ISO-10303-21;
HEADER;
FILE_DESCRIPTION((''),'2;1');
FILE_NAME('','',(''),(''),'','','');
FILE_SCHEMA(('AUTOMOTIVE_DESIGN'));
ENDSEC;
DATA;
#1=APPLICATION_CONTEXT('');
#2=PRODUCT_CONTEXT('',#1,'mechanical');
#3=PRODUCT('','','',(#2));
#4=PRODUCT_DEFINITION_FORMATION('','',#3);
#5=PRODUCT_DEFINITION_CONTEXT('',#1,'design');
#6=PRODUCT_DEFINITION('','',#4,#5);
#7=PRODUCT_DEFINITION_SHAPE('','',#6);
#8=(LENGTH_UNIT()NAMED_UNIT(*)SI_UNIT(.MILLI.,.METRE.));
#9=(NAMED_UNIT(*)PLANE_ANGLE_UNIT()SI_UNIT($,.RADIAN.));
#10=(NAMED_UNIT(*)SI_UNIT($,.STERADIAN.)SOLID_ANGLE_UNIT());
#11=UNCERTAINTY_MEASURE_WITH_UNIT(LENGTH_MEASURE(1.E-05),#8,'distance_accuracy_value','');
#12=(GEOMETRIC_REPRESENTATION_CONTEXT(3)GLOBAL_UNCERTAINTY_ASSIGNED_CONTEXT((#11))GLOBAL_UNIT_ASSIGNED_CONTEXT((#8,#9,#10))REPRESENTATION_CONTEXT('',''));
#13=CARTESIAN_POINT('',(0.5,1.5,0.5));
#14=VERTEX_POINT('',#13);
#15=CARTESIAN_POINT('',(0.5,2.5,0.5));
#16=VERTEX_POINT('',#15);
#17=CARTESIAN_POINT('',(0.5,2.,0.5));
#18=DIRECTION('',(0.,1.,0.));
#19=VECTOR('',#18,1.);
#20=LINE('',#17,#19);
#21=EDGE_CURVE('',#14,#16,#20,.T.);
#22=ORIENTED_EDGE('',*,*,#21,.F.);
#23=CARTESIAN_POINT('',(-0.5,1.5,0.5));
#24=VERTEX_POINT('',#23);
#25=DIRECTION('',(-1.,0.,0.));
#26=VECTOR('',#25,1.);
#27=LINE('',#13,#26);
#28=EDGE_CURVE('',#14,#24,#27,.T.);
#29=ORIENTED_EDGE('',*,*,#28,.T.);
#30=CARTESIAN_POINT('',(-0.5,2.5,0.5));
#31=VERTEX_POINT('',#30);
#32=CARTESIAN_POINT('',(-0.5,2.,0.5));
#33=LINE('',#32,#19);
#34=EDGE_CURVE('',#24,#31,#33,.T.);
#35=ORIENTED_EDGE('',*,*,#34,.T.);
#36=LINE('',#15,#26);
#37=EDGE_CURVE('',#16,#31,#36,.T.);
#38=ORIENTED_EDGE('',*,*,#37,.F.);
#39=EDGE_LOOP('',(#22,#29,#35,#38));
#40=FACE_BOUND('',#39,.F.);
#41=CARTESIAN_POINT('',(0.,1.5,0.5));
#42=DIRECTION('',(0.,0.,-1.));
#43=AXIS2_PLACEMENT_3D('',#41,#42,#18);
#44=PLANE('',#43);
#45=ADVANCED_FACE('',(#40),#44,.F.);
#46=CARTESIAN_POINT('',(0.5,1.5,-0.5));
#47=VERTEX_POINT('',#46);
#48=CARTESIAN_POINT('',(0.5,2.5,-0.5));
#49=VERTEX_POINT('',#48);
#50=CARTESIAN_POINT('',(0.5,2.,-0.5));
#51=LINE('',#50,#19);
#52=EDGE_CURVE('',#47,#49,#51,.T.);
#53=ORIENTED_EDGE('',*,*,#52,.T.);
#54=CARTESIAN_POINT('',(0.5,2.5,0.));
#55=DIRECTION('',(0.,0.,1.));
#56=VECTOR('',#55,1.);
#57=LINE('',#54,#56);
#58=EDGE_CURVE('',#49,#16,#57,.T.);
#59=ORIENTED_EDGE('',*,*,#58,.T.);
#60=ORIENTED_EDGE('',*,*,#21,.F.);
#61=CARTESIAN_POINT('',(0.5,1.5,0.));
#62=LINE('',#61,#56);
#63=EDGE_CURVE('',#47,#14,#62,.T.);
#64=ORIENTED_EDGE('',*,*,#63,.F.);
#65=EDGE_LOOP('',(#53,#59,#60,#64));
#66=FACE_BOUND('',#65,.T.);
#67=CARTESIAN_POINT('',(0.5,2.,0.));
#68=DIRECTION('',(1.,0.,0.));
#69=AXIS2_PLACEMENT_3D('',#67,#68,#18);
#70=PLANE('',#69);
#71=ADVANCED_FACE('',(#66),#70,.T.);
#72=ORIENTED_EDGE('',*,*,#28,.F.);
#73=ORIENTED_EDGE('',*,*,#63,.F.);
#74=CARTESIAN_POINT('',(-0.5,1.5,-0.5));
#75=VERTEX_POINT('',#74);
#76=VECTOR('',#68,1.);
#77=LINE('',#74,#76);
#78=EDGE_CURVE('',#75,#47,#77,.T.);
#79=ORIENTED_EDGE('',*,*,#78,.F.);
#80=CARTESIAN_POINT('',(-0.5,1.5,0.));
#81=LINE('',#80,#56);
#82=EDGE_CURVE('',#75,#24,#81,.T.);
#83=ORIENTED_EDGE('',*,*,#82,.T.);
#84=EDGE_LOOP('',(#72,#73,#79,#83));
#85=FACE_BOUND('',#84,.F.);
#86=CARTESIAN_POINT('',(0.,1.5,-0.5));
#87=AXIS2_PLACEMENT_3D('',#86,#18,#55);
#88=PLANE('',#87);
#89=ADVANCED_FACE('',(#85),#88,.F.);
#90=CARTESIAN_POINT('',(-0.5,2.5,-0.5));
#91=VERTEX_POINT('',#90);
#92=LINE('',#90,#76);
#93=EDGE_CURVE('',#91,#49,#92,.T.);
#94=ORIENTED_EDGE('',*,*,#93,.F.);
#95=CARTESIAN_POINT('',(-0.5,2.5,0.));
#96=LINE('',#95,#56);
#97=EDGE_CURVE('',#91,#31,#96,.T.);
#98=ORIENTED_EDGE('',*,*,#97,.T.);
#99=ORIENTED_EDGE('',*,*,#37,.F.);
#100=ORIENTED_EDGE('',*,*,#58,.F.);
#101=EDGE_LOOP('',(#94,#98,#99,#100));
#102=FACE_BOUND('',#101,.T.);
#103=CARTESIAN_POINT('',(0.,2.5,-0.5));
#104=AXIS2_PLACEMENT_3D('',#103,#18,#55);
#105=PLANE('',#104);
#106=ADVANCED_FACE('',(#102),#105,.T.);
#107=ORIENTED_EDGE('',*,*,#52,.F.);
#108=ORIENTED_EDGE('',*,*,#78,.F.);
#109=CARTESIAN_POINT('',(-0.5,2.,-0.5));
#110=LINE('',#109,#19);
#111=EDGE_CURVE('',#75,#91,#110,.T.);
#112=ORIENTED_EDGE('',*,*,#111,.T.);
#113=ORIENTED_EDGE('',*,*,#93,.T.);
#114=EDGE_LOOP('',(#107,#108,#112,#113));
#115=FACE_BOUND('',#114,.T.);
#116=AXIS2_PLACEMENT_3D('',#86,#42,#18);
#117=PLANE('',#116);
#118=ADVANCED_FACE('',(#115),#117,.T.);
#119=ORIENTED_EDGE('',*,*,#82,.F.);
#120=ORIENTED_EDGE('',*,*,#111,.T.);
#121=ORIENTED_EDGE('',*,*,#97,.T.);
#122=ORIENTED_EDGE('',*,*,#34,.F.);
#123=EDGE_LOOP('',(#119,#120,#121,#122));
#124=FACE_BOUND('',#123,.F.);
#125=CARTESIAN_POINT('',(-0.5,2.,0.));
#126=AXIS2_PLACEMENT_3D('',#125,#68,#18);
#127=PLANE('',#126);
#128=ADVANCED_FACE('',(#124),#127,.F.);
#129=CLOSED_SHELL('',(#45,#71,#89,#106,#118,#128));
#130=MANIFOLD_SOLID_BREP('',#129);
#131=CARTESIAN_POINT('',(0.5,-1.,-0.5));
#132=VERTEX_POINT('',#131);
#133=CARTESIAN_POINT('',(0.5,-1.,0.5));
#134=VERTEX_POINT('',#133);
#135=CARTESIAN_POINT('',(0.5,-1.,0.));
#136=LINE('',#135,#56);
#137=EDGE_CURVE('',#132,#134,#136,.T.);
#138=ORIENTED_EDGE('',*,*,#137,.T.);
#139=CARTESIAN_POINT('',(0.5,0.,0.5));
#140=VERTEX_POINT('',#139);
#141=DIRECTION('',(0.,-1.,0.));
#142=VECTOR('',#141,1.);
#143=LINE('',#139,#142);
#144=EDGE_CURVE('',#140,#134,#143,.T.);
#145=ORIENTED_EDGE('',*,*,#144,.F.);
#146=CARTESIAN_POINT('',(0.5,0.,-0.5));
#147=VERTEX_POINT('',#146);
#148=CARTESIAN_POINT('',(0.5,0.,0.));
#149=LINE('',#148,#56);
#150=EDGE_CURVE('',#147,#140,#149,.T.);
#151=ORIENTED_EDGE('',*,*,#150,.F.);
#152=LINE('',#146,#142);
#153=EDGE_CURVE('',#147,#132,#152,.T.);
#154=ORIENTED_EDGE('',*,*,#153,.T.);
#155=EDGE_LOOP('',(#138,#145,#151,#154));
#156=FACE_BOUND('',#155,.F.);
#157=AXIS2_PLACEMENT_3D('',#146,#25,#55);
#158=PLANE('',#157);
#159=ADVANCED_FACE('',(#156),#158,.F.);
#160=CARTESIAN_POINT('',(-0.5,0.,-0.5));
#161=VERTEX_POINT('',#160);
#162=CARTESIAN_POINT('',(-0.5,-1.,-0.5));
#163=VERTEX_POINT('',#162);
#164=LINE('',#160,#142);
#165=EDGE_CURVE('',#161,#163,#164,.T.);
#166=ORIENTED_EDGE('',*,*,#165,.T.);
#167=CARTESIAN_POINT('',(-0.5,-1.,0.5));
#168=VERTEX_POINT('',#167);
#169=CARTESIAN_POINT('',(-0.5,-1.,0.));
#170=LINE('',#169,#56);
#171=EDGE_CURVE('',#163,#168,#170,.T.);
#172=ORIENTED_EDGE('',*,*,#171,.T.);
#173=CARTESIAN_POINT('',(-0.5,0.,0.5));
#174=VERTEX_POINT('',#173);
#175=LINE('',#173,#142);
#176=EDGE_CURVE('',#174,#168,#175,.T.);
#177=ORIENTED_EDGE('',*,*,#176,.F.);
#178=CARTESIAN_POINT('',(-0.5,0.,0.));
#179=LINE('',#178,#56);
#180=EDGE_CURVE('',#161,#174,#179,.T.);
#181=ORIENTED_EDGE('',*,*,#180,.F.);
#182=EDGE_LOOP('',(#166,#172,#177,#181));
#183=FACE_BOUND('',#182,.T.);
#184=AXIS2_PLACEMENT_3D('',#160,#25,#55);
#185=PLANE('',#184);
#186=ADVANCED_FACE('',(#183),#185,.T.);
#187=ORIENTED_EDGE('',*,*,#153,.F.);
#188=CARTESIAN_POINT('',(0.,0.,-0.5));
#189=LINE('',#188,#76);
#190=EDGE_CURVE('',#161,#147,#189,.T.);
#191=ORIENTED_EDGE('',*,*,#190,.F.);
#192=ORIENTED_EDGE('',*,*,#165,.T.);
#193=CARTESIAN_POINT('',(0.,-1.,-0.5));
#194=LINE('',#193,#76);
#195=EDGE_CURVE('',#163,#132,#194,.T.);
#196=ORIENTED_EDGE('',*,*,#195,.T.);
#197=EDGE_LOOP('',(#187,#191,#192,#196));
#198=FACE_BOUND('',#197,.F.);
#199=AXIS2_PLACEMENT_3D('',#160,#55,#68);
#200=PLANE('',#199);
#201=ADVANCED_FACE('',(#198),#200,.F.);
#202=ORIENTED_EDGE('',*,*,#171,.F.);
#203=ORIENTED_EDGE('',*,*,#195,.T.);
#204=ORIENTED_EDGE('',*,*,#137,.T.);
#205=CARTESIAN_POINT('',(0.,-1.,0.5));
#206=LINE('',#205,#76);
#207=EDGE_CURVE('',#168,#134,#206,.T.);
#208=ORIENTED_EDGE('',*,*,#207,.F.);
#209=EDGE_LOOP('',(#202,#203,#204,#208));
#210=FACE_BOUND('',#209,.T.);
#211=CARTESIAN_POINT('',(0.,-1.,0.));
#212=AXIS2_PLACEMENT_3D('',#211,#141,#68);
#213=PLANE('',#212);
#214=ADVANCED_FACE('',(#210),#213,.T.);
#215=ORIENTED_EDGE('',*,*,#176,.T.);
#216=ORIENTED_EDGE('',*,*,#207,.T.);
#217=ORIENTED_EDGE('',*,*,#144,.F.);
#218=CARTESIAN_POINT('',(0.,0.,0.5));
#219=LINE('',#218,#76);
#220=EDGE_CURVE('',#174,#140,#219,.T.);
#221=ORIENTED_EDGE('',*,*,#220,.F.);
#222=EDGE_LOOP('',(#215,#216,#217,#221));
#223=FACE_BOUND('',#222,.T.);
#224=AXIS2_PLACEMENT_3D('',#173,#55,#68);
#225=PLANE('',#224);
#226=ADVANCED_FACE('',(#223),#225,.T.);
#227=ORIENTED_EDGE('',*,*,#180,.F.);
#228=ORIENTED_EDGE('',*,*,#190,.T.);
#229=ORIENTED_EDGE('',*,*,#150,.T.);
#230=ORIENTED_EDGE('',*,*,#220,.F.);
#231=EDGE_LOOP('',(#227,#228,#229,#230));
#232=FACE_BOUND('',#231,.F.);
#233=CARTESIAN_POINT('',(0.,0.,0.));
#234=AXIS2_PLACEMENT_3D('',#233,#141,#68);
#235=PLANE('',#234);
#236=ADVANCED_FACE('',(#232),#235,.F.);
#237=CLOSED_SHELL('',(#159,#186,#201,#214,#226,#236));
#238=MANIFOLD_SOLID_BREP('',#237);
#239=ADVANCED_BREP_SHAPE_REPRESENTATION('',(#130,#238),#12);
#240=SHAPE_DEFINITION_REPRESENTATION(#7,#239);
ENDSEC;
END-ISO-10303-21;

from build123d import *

# Parameters (mm, degrees)
F0_W          = 1
F0_H          = 1
F1_DEPTH      = 1
F2_W          = 1
F2_H          = 1
F3_DEPTH      = 0.5
F3_DEPTH_BACK = 0.5


with BuildPart() as f1:
    # F0 (on Front) → F1 (new body)
    with BuildSketch(Plane.XZ):
        Rectangle(F0_W, F0_H)
    extrude(amount=F1_DEPTH)


with BuildPart() as f3:
    # F2 (on Right) → F3 (new body, two sides)
    with BuildSketch(Plane.YZ) as f3_sk:
        with Locations((2, 0)):
            Rectangle(F2_W, F2_H)
    extrude(amount=F3_DEPTH)
    extrude(f3_sk.sketch, amount=-F3_DEPTH_BACK)


solid = Compound([f1.part, f3.part])
